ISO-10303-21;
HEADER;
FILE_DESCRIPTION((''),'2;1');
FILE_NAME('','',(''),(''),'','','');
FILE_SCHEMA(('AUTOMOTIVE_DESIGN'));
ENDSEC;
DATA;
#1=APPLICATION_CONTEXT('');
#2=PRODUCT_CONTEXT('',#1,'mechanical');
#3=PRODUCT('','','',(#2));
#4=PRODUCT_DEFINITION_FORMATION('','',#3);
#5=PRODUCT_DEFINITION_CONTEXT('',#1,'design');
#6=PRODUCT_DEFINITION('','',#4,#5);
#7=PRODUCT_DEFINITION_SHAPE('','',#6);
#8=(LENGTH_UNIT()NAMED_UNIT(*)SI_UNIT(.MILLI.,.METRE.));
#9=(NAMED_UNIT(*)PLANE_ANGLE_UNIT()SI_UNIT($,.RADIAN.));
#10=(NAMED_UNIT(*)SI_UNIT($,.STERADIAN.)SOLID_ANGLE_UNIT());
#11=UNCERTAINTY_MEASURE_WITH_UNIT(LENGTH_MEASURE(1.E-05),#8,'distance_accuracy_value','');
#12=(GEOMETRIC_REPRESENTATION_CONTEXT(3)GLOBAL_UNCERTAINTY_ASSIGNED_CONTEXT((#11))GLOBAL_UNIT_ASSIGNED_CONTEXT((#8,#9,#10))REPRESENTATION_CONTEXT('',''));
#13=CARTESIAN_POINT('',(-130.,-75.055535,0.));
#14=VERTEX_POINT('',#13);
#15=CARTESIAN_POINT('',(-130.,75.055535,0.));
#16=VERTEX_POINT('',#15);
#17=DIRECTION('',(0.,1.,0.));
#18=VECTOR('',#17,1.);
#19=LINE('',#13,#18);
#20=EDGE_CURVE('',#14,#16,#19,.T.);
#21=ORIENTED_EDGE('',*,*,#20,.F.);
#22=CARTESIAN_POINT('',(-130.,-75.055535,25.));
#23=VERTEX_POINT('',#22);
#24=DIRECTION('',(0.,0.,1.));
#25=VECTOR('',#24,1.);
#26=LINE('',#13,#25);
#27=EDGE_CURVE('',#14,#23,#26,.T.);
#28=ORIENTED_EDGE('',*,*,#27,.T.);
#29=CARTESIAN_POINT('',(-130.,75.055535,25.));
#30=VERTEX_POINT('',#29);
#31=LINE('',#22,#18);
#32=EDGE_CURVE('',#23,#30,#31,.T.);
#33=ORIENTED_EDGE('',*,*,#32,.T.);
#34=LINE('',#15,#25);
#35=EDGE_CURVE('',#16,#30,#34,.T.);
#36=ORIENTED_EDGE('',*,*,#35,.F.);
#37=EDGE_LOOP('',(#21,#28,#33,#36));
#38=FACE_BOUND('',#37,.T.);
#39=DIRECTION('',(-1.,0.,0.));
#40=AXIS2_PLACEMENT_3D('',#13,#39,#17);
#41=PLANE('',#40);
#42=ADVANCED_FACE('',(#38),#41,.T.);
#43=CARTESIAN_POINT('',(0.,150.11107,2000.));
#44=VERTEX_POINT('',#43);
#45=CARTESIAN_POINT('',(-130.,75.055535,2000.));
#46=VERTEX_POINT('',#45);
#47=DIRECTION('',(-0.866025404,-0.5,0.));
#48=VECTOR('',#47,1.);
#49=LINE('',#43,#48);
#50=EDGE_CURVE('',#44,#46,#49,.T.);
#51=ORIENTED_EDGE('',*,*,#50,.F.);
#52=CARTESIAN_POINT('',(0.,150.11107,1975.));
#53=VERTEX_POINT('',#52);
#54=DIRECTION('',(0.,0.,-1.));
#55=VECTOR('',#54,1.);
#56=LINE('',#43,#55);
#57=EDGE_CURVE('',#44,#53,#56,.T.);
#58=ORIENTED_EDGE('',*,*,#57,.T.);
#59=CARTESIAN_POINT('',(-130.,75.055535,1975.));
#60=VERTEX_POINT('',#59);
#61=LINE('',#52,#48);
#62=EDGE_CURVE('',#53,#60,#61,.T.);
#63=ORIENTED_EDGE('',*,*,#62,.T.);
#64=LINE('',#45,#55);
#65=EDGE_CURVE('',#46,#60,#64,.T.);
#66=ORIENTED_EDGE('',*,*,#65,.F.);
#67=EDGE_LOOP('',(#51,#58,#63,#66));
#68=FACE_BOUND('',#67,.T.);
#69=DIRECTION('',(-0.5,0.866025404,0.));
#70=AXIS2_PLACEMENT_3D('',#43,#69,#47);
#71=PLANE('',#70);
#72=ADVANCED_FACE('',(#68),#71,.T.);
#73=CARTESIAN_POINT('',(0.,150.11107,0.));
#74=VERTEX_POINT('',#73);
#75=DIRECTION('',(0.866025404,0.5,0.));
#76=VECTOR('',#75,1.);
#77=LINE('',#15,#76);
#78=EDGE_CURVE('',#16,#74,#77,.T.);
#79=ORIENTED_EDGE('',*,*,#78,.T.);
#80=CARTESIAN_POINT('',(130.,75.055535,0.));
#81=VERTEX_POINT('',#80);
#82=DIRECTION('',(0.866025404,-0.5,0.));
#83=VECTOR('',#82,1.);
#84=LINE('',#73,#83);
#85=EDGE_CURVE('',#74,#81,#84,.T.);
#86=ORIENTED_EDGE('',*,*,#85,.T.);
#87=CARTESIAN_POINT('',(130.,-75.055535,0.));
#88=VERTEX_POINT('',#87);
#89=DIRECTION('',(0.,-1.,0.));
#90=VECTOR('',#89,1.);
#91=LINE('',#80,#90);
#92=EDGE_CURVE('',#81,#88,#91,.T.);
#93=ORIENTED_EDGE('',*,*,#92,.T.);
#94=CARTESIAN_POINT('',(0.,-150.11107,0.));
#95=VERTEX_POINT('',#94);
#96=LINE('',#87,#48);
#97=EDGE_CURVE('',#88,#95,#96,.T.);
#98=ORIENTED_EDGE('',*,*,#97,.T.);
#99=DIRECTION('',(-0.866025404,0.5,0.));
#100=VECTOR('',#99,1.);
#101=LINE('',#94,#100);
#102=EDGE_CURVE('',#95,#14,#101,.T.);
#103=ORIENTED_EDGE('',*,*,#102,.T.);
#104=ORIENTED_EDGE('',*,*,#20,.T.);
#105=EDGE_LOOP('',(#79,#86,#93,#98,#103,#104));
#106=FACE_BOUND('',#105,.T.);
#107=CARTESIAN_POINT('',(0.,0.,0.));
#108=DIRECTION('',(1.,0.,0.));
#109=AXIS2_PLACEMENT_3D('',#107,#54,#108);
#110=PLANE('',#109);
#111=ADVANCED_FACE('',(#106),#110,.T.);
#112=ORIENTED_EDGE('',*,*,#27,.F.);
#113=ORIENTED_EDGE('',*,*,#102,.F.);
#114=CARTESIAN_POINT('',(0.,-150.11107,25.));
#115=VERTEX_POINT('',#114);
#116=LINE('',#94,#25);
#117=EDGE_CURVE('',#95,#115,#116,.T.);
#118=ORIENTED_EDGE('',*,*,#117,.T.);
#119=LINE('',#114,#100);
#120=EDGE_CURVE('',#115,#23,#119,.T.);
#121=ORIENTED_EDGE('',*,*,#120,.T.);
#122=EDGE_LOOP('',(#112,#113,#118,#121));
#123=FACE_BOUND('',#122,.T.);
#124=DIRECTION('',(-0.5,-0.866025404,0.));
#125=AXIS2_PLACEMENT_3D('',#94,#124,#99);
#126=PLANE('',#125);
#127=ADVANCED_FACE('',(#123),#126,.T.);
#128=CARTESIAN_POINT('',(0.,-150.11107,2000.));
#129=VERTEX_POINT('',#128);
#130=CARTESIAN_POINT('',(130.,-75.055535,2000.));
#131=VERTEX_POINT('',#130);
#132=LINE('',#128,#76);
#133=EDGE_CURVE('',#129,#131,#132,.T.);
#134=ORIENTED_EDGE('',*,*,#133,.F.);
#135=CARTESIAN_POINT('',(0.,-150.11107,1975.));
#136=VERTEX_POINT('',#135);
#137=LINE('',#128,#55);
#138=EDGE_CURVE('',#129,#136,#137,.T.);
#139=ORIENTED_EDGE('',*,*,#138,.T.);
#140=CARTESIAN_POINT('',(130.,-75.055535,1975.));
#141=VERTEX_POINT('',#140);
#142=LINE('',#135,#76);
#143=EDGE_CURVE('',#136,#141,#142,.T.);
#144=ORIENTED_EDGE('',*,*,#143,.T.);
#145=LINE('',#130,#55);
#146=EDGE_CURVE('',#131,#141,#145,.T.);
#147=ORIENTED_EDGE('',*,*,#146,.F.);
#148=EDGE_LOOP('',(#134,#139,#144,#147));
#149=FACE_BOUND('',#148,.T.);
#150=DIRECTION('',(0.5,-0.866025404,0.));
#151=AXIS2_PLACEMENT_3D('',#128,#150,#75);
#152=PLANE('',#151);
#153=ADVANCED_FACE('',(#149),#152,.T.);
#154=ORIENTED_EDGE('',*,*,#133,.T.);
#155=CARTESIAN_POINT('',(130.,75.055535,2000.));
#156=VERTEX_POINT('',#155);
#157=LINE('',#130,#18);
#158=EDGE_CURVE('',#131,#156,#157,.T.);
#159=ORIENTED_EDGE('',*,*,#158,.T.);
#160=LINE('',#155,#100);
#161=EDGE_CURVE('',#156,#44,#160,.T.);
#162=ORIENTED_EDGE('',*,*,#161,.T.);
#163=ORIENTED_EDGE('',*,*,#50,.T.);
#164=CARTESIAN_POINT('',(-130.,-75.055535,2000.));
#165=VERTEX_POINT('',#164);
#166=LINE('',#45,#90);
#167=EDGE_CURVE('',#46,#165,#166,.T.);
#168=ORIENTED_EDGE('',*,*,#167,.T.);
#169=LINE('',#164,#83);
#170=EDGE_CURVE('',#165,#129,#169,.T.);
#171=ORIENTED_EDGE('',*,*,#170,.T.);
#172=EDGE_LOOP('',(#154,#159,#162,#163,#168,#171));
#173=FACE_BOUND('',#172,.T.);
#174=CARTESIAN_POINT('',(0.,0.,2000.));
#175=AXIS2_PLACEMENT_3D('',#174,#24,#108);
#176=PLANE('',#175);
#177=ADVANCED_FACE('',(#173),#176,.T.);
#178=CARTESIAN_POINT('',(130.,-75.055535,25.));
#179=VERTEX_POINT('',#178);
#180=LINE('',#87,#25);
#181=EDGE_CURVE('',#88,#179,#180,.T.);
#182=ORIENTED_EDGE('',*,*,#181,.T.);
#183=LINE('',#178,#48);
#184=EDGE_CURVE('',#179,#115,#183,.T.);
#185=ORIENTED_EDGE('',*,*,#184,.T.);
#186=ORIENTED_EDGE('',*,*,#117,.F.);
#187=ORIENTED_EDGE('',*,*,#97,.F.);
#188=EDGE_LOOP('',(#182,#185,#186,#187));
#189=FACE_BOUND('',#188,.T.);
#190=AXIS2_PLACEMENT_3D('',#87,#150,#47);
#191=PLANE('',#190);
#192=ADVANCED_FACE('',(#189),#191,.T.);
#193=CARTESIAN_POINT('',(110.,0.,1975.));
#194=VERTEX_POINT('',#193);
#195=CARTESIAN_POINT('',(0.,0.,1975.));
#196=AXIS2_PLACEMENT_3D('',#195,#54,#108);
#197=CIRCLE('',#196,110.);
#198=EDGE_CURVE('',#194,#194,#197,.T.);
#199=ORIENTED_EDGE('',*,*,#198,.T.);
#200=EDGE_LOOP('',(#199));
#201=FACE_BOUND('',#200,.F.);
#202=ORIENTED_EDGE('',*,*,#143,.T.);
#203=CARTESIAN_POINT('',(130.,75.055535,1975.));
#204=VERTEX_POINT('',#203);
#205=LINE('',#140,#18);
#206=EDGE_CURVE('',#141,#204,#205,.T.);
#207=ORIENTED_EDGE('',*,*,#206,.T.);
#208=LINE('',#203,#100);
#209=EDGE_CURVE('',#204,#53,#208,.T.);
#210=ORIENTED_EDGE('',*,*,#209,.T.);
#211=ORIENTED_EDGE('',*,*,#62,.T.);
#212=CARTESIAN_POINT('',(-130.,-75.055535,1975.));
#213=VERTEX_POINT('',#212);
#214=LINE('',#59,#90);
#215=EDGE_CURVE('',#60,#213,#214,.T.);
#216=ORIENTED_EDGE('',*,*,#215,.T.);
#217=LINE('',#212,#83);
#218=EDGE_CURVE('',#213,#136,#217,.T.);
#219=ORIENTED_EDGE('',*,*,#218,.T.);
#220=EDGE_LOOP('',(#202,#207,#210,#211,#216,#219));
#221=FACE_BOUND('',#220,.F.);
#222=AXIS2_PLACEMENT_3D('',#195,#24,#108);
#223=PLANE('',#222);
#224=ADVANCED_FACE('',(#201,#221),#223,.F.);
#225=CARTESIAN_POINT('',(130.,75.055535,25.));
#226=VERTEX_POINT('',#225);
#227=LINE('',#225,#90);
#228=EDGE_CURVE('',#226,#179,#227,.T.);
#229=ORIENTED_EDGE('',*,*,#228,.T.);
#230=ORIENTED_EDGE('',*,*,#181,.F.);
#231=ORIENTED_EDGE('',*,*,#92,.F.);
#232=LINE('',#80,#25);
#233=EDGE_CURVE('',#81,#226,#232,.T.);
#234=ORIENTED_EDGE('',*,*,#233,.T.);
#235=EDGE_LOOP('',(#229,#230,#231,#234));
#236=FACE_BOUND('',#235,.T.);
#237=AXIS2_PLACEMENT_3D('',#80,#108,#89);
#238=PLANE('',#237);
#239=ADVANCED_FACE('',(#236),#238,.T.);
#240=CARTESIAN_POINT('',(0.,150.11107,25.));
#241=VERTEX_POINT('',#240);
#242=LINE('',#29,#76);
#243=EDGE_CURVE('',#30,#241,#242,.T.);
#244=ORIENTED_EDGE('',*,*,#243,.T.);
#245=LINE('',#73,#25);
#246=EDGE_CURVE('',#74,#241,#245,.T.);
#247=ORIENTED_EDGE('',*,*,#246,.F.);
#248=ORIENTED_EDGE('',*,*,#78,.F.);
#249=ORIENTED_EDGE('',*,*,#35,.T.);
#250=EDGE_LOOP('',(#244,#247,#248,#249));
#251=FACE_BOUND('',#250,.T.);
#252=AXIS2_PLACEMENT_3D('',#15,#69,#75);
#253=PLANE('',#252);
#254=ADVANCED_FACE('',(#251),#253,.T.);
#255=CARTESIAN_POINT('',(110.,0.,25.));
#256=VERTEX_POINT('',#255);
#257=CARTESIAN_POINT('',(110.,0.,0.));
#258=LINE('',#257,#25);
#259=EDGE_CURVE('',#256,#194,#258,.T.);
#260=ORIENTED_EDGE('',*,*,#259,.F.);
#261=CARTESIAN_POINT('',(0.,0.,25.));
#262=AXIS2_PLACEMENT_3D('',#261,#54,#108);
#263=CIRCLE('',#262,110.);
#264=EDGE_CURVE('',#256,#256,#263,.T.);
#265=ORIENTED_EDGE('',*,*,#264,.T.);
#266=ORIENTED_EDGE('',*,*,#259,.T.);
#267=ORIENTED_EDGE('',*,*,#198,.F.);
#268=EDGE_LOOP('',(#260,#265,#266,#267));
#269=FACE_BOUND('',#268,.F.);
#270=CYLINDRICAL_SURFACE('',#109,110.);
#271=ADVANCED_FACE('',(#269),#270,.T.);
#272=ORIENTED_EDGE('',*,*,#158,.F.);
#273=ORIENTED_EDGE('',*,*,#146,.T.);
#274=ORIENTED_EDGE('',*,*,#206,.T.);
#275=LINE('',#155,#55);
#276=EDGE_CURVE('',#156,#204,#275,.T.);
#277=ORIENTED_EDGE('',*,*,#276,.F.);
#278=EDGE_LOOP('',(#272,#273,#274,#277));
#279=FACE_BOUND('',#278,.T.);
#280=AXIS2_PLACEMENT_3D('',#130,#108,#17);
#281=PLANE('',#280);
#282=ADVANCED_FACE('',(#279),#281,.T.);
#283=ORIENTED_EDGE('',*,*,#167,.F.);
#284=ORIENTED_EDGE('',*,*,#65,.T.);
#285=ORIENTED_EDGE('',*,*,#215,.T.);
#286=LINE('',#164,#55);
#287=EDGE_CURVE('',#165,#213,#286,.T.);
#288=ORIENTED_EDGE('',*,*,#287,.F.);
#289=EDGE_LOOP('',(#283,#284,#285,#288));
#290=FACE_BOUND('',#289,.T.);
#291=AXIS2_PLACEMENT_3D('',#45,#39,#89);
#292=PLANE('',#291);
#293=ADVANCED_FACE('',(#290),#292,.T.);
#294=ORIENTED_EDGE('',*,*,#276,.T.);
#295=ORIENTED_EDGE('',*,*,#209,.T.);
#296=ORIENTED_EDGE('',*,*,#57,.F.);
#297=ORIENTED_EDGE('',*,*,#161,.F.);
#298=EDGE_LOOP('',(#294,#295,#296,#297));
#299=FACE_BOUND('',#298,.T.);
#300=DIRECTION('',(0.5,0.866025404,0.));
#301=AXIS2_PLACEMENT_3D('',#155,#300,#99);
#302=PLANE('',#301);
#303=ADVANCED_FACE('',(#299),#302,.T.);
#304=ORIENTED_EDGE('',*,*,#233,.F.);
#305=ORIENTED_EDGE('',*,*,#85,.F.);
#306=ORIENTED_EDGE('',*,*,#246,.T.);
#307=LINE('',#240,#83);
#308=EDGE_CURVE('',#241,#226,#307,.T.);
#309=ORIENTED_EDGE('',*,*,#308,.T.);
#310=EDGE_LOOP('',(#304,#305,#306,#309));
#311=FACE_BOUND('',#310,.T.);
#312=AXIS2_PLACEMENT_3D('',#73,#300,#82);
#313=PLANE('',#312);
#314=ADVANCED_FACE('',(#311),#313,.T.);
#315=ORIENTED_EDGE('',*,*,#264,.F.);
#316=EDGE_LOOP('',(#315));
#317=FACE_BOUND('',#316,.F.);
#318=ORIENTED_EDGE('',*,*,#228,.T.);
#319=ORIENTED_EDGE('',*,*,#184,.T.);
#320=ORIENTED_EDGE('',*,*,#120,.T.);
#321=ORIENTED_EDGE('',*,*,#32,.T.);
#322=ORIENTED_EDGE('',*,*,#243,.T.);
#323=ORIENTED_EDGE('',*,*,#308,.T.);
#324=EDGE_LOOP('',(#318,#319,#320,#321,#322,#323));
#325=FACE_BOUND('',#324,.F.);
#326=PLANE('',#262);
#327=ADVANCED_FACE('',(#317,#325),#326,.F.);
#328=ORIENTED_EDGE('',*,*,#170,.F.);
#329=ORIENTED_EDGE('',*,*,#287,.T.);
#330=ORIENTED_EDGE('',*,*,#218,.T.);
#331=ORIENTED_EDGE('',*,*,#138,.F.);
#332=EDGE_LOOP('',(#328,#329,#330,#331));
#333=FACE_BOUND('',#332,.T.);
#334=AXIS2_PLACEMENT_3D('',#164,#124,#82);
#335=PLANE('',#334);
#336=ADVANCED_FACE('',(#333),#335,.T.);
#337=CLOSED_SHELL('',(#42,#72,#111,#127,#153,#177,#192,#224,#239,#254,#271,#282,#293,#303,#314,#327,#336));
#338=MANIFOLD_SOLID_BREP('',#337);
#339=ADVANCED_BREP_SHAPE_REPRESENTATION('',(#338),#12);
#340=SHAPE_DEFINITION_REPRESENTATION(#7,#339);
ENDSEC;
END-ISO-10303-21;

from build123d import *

# Parameters (mm, degrees)
F0_R     = 110
F1_DEPTH = 2000
F3_DEPTH = 25
F5_DEPTH = 25


with BuildPart() as f1:
    # F0 (on Top) → F1 (new body)
    with BuildSketch(Plane.XY):
        Circle(F0_R)
    extrude(amount=F1_DEPTH)

    # F2 (on face) → F3 (join)
    with BuildSketch(Plane(origin=(0, 0, 0), x_dir=(1, 0, 0), z_dir=(0, 0, -1))):
        Polygon((130, -75.055535), (130, 75.055535), (0, 150.11107), (-130, 75.055535), (-130, -75.055535), (0, -150.11107), align=None)
    extrude(amount=-F3_DEPTH)

    # F4 (on face) → F5 (join)
    with BuildSketch(Plane.XY.offset(2000)):
        Polygon((130, -75.055535), (130, 75.055535), (0, 150.11107), (-130, 75.055535), (-130, -75.055535), (0, -150.11107), align=None)
    extrude(amount=-F5_DEPTH)


solid = f1.part
